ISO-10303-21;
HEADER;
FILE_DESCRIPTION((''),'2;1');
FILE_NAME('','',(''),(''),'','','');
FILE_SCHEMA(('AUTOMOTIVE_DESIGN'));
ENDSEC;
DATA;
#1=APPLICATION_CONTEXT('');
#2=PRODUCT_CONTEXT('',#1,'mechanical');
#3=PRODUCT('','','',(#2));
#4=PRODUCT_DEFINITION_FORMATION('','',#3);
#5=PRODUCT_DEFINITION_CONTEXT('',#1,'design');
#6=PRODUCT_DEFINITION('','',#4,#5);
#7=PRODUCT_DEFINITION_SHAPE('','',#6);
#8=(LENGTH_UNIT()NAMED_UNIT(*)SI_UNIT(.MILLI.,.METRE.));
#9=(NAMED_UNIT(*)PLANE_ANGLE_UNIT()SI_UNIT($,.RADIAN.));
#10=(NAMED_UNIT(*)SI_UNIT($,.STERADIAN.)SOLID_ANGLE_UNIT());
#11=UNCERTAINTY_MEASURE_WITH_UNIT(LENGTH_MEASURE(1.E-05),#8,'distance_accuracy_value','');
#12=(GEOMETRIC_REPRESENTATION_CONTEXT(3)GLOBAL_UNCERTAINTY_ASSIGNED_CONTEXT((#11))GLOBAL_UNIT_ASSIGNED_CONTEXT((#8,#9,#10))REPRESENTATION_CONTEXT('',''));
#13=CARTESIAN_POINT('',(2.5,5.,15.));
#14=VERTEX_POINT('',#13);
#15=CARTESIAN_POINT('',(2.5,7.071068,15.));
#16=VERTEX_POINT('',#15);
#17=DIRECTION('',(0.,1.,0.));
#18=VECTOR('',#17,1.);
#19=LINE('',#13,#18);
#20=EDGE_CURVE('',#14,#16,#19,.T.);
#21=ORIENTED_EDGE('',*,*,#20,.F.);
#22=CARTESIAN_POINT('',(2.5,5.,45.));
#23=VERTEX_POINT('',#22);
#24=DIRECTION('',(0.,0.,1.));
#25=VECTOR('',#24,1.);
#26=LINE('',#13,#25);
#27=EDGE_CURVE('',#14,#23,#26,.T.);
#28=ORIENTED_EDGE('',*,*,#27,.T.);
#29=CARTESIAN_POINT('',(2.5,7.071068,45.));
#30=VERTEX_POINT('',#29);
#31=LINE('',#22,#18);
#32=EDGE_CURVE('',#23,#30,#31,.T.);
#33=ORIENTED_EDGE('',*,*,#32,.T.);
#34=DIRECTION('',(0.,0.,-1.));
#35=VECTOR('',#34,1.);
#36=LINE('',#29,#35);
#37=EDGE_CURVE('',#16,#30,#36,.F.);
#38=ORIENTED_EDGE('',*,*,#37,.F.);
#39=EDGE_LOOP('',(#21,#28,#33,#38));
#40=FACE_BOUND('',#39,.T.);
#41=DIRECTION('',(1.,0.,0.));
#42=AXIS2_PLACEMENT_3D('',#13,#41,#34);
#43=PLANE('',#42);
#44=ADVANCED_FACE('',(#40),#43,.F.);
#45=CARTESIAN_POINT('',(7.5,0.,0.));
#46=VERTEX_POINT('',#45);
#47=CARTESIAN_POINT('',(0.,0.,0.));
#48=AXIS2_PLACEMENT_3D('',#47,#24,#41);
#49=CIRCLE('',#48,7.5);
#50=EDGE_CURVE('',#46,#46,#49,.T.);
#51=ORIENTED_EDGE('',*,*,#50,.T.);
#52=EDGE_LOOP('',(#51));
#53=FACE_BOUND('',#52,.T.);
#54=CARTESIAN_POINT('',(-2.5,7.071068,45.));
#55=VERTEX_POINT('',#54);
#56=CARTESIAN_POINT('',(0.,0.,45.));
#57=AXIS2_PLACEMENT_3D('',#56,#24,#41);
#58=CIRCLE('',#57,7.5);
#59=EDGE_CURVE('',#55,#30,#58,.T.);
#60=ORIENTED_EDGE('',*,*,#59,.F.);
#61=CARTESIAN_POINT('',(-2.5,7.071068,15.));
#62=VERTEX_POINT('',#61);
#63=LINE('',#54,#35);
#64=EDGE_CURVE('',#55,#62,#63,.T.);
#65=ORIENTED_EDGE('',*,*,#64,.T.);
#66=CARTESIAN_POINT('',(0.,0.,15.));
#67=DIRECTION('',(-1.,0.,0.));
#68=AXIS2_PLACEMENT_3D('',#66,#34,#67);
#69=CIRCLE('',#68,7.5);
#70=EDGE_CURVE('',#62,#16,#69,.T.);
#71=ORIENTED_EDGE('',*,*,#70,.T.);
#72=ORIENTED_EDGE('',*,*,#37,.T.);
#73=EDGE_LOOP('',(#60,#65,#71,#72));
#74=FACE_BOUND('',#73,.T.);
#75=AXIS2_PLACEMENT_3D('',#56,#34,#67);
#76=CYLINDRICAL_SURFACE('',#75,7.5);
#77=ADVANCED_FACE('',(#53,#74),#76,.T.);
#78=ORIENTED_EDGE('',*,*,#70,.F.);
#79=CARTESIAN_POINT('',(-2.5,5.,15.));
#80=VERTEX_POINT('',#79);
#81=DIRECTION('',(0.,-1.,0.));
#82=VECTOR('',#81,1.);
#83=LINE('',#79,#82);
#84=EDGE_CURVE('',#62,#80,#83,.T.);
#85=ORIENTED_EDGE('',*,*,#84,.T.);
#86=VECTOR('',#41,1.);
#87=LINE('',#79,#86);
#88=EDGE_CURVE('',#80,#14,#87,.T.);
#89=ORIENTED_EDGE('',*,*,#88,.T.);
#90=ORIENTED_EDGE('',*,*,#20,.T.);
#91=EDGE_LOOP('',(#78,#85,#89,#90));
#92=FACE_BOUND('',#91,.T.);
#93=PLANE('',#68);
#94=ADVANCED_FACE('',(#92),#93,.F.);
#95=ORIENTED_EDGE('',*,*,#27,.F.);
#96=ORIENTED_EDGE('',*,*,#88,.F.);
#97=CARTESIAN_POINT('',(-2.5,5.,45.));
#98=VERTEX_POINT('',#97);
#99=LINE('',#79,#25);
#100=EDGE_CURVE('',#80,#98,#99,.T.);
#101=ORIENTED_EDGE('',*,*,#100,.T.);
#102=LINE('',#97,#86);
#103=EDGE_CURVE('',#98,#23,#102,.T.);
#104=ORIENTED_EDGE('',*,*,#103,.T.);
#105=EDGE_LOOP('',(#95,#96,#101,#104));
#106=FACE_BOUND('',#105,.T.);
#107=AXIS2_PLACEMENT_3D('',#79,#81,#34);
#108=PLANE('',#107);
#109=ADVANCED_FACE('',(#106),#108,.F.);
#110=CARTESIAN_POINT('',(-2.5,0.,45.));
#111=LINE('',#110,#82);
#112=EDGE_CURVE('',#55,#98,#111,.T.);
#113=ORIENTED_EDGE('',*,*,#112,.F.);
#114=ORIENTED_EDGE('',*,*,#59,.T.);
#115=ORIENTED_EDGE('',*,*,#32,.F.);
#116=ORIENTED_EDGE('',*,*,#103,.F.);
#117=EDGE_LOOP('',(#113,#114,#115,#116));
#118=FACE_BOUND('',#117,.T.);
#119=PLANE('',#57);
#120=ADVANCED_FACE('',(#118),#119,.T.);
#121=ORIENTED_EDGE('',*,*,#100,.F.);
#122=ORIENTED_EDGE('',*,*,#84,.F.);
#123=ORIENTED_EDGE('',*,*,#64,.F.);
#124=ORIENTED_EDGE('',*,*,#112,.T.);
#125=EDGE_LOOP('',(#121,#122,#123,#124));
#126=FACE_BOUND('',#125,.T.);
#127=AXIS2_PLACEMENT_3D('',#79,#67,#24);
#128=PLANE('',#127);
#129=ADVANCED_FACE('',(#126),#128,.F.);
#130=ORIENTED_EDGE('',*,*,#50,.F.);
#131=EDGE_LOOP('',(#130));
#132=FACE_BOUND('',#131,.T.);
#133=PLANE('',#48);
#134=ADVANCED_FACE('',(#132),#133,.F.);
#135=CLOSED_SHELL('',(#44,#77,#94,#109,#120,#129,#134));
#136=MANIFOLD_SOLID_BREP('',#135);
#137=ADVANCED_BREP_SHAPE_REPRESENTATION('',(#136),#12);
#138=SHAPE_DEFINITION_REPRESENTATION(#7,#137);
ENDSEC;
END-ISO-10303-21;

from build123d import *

# Parameters (mm, degrees)
SKETCH1_R           = 7.5
BOSS_EXTRUDE1_DEPTH = 45
SKETCH2_W           = 5
SKETCH2_H           = 4.459975541
CUT_EXTRUDE1_DEPTH  = 30


with BuildPart() as part:
    # Sketch1 → Boss-Extrude1 (new body)
    with BuildSketch(Plane.XY):
        Circle(SKETCH1_R)
    extrude(amount=BOSS_EXTRUDE1_DEPTH)

    # Sketch2 → Cut-Extrude1 (cut)
    with BuildSketch(Plane.XY.offset(45)):
        with Locations((0, 7.229987771)):
            Rectangle(SKETCH2_W, SKETCH2_H)
    extrude(amount=-CUT_EXTRUDE1_DEPTH, mode=Mode.SUBTRACT)


solid = part.part
